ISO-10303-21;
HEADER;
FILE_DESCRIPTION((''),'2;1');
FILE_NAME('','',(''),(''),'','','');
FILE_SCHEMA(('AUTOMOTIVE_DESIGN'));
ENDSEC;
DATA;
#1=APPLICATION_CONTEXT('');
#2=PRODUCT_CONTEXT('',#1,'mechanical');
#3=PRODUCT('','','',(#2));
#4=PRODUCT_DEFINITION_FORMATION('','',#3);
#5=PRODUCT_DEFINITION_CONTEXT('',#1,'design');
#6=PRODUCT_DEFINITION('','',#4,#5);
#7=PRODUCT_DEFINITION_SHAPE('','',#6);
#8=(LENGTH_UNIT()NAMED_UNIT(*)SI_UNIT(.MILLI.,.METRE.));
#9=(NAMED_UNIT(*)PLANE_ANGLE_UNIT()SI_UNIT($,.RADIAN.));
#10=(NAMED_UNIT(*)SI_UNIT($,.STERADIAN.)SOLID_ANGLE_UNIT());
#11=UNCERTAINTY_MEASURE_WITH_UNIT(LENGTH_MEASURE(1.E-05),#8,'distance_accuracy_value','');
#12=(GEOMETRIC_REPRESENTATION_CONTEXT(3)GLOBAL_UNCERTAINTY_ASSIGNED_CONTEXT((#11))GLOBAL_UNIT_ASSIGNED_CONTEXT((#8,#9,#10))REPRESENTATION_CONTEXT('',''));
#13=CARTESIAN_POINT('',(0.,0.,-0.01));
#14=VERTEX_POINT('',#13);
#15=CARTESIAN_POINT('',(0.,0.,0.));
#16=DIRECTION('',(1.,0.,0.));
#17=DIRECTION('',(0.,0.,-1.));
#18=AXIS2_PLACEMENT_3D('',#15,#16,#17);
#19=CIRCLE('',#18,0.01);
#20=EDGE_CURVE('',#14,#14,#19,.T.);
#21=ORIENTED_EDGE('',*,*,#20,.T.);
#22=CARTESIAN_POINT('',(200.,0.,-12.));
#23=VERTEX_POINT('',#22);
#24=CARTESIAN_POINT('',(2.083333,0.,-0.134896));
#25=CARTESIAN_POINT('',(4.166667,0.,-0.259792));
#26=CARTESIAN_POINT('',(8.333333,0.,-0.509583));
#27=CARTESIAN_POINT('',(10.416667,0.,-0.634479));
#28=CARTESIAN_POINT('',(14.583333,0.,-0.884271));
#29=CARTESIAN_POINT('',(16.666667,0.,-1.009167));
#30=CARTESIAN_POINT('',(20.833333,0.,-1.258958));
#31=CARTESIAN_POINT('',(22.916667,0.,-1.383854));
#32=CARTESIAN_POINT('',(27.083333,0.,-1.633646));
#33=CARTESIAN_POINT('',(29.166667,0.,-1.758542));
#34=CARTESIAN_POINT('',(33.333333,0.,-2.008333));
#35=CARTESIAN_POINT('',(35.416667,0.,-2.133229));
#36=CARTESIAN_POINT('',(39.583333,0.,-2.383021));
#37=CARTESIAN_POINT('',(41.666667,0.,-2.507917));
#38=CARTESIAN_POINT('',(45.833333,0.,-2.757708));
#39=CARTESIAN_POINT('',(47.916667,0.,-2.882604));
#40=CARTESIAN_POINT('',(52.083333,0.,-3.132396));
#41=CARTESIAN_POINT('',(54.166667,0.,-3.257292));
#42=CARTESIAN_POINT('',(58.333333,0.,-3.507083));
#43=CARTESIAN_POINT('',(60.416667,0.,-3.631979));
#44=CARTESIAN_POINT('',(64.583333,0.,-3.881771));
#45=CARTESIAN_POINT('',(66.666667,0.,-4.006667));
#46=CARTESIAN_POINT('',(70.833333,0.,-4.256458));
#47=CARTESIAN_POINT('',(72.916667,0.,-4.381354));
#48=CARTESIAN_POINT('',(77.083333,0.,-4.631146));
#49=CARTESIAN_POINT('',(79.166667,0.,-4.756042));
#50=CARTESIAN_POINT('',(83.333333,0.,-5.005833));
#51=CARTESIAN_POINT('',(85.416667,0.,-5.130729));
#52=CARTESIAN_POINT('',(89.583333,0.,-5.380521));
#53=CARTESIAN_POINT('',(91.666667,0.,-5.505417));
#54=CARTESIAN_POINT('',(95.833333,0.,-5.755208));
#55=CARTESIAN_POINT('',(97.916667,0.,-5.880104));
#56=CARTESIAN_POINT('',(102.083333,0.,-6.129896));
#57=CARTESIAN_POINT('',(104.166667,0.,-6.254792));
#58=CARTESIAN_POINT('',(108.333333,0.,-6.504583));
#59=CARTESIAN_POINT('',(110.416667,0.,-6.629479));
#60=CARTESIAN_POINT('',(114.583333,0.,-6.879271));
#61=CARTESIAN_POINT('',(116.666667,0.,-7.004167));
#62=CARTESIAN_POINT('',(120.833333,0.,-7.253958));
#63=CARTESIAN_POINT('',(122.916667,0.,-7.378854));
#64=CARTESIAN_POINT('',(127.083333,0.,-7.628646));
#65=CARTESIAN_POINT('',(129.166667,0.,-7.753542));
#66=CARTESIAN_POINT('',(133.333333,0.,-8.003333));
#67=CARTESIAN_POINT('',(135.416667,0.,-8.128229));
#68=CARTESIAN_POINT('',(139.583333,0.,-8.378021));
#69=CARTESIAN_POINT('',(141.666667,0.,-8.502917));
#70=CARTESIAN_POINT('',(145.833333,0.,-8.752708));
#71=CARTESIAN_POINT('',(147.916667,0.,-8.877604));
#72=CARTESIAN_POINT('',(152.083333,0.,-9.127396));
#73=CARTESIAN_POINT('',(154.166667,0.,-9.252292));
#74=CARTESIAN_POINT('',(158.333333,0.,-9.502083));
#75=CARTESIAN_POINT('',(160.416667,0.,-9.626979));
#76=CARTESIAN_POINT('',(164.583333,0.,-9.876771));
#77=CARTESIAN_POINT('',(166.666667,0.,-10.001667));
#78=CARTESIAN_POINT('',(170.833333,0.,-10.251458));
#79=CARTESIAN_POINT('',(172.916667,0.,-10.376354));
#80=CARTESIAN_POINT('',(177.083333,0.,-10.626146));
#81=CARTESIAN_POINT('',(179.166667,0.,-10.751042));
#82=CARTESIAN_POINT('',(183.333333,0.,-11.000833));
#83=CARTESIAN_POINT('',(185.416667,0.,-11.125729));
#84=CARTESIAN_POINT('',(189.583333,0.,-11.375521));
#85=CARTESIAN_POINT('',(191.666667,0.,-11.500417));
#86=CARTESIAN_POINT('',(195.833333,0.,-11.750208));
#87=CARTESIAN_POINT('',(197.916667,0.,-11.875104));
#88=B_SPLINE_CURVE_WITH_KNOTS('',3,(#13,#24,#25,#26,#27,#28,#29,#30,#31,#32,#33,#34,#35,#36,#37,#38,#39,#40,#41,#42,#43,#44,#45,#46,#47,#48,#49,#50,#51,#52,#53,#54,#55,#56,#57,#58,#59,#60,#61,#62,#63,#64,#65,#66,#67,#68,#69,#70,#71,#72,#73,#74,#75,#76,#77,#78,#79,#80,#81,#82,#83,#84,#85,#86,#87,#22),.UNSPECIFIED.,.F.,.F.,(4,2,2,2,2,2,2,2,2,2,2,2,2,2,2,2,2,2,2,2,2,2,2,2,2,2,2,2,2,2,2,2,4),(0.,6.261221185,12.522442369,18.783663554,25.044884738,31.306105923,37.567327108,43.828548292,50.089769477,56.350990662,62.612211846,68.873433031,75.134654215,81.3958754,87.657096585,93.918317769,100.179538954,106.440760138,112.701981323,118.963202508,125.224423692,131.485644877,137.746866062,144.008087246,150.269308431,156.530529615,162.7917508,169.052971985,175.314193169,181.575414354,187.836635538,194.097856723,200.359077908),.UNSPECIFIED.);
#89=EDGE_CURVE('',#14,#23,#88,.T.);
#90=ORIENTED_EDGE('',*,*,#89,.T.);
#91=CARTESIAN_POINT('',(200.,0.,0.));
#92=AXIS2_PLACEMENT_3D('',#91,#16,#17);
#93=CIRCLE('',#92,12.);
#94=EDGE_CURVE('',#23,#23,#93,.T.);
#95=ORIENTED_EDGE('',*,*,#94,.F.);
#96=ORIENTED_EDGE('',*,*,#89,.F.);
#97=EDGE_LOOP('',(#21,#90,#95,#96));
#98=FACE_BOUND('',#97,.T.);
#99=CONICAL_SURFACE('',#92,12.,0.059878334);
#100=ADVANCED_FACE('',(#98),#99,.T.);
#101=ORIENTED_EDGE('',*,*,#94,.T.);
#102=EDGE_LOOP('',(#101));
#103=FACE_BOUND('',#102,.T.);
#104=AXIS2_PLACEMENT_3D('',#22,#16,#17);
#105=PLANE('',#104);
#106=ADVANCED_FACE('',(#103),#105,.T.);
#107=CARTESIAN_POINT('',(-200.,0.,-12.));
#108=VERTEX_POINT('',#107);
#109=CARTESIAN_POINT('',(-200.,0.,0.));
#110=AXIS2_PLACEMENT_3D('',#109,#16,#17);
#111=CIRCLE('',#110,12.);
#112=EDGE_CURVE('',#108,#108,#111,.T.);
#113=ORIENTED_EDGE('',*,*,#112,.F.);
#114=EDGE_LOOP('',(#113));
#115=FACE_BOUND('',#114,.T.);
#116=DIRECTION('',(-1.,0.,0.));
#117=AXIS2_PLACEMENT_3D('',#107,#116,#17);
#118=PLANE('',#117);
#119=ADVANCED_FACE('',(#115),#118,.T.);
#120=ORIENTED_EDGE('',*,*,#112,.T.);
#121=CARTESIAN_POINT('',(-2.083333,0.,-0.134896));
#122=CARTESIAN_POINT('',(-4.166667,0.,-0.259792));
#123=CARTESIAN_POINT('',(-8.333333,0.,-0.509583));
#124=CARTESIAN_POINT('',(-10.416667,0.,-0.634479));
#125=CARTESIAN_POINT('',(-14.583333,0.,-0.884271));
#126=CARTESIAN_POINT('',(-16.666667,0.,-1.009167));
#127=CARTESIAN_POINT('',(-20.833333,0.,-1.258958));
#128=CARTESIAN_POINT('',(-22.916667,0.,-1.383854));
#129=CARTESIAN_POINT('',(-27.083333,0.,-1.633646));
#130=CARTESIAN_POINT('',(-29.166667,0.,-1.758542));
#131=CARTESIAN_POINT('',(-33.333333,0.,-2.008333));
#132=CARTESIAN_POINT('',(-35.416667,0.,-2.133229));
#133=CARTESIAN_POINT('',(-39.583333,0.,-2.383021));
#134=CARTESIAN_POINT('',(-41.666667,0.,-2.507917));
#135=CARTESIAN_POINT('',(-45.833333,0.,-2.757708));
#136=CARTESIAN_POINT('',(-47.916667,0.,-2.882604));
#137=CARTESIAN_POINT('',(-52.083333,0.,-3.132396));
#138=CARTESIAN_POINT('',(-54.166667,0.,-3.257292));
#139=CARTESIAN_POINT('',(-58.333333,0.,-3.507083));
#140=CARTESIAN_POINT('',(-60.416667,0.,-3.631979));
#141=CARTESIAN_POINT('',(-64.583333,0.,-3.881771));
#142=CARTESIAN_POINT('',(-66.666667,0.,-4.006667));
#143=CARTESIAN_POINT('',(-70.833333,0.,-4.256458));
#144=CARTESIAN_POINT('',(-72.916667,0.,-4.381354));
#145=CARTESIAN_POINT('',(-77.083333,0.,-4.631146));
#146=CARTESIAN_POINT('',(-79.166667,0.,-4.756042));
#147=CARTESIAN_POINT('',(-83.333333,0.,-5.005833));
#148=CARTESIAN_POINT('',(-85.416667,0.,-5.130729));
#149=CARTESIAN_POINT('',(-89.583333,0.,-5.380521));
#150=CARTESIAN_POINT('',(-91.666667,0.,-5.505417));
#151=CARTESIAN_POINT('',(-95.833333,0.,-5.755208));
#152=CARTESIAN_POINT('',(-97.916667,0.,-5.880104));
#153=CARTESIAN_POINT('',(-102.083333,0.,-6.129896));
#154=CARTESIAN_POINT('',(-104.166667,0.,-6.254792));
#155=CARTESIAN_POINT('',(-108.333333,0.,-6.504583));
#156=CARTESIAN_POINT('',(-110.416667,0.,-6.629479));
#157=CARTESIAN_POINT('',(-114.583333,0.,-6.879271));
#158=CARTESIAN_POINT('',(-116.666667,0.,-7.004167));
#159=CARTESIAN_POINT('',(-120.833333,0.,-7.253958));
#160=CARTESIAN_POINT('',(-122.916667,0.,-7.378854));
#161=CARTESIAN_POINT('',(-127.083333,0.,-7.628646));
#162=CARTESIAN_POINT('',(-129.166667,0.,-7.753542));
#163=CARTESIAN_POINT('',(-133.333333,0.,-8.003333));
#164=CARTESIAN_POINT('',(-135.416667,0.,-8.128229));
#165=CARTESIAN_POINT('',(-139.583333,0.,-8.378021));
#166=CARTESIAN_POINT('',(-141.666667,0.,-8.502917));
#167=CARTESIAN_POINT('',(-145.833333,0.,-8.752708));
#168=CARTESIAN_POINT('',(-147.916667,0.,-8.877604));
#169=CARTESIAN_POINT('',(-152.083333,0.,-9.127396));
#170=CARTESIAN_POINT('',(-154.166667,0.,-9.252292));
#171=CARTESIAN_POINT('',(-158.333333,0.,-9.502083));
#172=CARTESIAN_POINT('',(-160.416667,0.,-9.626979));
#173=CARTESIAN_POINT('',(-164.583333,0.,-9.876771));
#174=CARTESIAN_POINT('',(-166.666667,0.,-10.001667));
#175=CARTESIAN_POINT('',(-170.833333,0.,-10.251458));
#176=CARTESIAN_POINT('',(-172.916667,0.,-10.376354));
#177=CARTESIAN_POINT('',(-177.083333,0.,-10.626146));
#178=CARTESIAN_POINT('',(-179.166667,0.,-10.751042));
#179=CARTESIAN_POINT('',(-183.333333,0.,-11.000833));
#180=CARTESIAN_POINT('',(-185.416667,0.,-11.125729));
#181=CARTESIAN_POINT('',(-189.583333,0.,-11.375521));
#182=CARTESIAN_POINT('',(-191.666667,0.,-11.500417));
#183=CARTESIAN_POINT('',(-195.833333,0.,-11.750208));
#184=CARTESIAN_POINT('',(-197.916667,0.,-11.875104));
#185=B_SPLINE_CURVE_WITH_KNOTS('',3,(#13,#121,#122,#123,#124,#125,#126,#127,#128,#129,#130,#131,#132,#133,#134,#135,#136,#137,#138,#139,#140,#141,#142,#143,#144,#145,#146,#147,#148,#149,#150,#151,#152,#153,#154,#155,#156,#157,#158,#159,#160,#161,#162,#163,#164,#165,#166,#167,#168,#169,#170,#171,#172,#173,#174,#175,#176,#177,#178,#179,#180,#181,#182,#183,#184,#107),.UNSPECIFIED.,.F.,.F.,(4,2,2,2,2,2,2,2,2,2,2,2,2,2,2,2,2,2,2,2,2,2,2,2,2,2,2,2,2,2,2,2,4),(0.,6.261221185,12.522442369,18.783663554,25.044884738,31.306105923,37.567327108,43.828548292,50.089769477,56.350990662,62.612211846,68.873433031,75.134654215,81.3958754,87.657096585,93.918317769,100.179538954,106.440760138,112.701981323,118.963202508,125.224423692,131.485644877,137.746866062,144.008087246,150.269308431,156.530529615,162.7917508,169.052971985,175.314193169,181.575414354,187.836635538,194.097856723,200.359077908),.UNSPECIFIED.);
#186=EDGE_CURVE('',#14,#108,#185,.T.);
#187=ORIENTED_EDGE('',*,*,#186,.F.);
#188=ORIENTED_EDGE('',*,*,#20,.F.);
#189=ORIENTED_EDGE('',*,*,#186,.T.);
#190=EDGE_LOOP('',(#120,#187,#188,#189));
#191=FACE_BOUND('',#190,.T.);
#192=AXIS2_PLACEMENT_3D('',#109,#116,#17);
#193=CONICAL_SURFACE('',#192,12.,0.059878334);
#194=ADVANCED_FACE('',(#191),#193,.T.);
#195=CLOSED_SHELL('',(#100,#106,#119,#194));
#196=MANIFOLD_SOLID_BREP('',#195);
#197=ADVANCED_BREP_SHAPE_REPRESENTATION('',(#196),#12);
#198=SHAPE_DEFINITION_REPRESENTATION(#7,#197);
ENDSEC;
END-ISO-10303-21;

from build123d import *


with BuildPart() as part:
    # 草图1 → 旋转1 (revolve)
    with BuildSketch(Plane(origin=(0, 0, 0), x_dir=(1, 0, 0), z_dir=(0, 1, 0))):
        Polygon((0, 0), (0, 0.01), (200, 12), (200, 0), align=None)
    revolve_1 = revolve(axis=Axis((200, 0, 0), (-1, 0, 0)))

    # 镜向1: 旋转1 across plane
    add(revolve_1.mirror(Plane.ZY))


solid = part.part
